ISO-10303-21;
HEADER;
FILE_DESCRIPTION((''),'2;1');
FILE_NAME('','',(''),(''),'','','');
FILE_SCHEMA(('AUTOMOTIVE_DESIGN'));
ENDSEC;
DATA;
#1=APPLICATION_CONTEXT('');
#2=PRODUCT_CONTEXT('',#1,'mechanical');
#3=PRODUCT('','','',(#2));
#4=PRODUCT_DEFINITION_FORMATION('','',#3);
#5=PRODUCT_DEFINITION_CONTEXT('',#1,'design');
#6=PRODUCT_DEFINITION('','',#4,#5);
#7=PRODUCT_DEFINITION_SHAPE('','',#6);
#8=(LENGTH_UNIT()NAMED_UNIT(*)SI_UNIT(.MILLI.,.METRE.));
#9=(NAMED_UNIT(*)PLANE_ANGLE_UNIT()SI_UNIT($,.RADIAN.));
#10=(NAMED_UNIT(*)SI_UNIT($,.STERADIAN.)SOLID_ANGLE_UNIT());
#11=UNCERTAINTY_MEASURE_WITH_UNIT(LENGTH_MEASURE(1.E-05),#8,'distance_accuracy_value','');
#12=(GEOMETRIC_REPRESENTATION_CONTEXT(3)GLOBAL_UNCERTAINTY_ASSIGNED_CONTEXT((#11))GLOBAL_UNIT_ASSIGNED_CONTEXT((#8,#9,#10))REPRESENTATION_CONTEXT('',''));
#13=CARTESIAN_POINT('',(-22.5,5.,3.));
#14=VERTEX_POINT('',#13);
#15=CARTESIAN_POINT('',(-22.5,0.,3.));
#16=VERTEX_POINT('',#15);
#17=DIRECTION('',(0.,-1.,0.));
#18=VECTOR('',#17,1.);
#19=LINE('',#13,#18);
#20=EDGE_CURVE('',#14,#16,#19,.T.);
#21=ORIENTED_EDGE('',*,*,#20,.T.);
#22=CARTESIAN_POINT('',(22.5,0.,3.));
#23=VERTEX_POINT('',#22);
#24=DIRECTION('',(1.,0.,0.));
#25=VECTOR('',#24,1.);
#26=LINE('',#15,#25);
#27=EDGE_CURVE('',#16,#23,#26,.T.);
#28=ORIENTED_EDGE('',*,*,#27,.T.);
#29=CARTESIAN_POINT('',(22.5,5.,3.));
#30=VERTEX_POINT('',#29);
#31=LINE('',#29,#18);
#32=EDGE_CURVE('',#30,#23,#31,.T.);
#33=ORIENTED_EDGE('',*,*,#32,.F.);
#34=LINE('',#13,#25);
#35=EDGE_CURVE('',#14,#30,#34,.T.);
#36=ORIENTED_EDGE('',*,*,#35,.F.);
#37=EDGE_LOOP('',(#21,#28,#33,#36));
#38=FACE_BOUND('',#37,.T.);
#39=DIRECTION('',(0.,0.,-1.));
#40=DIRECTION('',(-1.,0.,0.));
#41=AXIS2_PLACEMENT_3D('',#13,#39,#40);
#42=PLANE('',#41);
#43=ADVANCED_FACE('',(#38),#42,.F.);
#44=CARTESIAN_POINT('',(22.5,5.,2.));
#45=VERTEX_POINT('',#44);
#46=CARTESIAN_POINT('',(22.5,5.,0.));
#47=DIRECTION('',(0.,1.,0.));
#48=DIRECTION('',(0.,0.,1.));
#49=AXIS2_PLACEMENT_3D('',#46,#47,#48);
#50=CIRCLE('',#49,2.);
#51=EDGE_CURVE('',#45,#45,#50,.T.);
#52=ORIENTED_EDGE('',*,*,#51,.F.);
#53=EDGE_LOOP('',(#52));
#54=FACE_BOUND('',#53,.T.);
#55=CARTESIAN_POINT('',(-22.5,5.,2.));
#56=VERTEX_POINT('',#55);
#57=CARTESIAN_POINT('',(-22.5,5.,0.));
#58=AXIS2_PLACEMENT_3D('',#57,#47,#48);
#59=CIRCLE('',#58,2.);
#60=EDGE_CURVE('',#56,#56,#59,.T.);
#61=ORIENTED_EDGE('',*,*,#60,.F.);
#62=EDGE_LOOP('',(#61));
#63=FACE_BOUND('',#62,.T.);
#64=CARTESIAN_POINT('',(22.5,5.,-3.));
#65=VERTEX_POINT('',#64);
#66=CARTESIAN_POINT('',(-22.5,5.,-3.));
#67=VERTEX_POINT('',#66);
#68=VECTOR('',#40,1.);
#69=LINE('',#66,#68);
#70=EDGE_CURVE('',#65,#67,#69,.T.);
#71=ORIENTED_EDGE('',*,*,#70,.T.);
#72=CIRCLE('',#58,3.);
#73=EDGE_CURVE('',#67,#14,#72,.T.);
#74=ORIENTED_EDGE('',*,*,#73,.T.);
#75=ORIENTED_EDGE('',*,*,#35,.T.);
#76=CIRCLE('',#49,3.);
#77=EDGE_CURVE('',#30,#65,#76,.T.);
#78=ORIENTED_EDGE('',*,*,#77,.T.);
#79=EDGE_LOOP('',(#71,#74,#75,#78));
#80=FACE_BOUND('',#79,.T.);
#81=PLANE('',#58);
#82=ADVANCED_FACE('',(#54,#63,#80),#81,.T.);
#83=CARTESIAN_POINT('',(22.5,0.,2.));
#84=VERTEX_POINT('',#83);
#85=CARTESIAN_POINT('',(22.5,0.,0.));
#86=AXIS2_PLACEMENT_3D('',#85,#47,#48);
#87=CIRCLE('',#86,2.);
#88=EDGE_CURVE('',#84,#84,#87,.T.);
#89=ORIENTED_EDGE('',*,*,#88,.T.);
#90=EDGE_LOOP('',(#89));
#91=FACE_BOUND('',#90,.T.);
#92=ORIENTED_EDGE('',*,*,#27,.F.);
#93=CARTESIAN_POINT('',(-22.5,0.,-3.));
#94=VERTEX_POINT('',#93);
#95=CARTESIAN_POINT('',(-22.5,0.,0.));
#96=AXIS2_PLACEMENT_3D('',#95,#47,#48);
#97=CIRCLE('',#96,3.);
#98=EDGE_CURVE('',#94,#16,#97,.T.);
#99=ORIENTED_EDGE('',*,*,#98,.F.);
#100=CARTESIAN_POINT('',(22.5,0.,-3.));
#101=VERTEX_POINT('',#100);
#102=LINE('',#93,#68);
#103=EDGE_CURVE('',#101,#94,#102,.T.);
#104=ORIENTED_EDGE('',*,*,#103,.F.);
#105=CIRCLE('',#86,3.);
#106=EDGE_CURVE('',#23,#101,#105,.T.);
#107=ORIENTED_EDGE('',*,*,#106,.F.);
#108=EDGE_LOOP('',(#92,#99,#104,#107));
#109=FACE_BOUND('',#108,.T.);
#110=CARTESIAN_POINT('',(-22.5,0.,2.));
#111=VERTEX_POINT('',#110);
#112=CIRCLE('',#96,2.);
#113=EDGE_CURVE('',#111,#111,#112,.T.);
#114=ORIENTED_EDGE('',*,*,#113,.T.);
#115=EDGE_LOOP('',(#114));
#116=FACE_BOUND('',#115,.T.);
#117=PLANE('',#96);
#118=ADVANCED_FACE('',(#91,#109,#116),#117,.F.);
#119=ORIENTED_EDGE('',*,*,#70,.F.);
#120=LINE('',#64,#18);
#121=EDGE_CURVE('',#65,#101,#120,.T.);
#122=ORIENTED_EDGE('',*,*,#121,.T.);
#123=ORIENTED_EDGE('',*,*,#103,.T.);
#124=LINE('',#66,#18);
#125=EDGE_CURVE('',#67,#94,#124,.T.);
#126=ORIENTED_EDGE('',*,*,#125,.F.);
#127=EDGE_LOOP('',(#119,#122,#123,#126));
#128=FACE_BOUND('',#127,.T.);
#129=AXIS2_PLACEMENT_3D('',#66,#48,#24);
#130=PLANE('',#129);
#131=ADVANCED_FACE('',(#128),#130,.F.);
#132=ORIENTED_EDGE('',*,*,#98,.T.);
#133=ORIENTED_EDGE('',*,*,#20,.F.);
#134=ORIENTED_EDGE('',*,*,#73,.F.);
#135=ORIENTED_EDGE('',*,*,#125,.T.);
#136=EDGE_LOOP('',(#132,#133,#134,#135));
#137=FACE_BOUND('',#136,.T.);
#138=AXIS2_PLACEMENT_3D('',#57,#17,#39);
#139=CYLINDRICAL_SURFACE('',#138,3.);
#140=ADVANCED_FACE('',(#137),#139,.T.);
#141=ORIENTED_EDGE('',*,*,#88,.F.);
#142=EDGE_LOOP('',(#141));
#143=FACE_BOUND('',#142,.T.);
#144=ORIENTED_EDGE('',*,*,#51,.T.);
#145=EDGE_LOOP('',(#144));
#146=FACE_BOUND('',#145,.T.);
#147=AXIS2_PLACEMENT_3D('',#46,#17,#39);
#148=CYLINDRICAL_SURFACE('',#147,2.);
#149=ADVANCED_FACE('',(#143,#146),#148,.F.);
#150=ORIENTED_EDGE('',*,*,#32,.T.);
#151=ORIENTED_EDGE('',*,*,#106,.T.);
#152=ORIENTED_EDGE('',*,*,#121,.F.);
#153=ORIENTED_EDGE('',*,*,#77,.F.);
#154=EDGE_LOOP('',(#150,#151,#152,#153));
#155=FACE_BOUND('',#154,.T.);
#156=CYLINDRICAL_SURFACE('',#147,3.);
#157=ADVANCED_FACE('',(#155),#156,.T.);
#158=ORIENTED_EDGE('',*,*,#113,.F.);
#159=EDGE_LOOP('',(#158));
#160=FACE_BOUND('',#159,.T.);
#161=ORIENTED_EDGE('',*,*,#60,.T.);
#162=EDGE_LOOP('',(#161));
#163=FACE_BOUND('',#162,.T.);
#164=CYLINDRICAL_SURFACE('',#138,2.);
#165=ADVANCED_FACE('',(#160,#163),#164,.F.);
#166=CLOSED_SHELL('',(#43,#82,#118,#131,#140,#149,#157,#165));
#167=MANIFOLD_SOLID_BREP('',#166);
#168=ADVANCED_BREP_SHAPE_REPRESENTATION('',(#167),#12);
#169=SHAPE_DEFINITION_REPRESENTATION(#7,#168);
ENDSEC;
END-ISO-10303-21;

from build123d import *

# Parameters (mm, degrees)
SKETCH1_R           = 2
BOSS_EXTRUDE1_DEPTH = 5


with BuildPart() as part:
    # Sketch1 → Boss-Extrude1 (new body)
    with BuildSketch(Plane(origin=(0, 0, 0), x_dir=(1, 0, 0), z_dir=(0, 1, 0))):
        with BuildLine():
            Line((-22.5, 3), (22.5, 3))
            ThreePointArc((22.5, 3), (25.5, 0), (22.5, -3))
            Line((22.5, -3), (-22.5, -3))
            ThreePointArc((-22.5, -3), (-25.5, 0), (-22.5, 3))
        make_face()
        with Locations((-22.5, 0)):
            Circle(SKETCH1_R, mode=Mode.SUBTRACT)
        with Locations((22.5, 0)):
            Circle(SKETCH1_R, mode=Mode.SUBTRACT)
    extrude(amount=BOSS_EXTRUDE1_DEPTH)


solid = part.part
